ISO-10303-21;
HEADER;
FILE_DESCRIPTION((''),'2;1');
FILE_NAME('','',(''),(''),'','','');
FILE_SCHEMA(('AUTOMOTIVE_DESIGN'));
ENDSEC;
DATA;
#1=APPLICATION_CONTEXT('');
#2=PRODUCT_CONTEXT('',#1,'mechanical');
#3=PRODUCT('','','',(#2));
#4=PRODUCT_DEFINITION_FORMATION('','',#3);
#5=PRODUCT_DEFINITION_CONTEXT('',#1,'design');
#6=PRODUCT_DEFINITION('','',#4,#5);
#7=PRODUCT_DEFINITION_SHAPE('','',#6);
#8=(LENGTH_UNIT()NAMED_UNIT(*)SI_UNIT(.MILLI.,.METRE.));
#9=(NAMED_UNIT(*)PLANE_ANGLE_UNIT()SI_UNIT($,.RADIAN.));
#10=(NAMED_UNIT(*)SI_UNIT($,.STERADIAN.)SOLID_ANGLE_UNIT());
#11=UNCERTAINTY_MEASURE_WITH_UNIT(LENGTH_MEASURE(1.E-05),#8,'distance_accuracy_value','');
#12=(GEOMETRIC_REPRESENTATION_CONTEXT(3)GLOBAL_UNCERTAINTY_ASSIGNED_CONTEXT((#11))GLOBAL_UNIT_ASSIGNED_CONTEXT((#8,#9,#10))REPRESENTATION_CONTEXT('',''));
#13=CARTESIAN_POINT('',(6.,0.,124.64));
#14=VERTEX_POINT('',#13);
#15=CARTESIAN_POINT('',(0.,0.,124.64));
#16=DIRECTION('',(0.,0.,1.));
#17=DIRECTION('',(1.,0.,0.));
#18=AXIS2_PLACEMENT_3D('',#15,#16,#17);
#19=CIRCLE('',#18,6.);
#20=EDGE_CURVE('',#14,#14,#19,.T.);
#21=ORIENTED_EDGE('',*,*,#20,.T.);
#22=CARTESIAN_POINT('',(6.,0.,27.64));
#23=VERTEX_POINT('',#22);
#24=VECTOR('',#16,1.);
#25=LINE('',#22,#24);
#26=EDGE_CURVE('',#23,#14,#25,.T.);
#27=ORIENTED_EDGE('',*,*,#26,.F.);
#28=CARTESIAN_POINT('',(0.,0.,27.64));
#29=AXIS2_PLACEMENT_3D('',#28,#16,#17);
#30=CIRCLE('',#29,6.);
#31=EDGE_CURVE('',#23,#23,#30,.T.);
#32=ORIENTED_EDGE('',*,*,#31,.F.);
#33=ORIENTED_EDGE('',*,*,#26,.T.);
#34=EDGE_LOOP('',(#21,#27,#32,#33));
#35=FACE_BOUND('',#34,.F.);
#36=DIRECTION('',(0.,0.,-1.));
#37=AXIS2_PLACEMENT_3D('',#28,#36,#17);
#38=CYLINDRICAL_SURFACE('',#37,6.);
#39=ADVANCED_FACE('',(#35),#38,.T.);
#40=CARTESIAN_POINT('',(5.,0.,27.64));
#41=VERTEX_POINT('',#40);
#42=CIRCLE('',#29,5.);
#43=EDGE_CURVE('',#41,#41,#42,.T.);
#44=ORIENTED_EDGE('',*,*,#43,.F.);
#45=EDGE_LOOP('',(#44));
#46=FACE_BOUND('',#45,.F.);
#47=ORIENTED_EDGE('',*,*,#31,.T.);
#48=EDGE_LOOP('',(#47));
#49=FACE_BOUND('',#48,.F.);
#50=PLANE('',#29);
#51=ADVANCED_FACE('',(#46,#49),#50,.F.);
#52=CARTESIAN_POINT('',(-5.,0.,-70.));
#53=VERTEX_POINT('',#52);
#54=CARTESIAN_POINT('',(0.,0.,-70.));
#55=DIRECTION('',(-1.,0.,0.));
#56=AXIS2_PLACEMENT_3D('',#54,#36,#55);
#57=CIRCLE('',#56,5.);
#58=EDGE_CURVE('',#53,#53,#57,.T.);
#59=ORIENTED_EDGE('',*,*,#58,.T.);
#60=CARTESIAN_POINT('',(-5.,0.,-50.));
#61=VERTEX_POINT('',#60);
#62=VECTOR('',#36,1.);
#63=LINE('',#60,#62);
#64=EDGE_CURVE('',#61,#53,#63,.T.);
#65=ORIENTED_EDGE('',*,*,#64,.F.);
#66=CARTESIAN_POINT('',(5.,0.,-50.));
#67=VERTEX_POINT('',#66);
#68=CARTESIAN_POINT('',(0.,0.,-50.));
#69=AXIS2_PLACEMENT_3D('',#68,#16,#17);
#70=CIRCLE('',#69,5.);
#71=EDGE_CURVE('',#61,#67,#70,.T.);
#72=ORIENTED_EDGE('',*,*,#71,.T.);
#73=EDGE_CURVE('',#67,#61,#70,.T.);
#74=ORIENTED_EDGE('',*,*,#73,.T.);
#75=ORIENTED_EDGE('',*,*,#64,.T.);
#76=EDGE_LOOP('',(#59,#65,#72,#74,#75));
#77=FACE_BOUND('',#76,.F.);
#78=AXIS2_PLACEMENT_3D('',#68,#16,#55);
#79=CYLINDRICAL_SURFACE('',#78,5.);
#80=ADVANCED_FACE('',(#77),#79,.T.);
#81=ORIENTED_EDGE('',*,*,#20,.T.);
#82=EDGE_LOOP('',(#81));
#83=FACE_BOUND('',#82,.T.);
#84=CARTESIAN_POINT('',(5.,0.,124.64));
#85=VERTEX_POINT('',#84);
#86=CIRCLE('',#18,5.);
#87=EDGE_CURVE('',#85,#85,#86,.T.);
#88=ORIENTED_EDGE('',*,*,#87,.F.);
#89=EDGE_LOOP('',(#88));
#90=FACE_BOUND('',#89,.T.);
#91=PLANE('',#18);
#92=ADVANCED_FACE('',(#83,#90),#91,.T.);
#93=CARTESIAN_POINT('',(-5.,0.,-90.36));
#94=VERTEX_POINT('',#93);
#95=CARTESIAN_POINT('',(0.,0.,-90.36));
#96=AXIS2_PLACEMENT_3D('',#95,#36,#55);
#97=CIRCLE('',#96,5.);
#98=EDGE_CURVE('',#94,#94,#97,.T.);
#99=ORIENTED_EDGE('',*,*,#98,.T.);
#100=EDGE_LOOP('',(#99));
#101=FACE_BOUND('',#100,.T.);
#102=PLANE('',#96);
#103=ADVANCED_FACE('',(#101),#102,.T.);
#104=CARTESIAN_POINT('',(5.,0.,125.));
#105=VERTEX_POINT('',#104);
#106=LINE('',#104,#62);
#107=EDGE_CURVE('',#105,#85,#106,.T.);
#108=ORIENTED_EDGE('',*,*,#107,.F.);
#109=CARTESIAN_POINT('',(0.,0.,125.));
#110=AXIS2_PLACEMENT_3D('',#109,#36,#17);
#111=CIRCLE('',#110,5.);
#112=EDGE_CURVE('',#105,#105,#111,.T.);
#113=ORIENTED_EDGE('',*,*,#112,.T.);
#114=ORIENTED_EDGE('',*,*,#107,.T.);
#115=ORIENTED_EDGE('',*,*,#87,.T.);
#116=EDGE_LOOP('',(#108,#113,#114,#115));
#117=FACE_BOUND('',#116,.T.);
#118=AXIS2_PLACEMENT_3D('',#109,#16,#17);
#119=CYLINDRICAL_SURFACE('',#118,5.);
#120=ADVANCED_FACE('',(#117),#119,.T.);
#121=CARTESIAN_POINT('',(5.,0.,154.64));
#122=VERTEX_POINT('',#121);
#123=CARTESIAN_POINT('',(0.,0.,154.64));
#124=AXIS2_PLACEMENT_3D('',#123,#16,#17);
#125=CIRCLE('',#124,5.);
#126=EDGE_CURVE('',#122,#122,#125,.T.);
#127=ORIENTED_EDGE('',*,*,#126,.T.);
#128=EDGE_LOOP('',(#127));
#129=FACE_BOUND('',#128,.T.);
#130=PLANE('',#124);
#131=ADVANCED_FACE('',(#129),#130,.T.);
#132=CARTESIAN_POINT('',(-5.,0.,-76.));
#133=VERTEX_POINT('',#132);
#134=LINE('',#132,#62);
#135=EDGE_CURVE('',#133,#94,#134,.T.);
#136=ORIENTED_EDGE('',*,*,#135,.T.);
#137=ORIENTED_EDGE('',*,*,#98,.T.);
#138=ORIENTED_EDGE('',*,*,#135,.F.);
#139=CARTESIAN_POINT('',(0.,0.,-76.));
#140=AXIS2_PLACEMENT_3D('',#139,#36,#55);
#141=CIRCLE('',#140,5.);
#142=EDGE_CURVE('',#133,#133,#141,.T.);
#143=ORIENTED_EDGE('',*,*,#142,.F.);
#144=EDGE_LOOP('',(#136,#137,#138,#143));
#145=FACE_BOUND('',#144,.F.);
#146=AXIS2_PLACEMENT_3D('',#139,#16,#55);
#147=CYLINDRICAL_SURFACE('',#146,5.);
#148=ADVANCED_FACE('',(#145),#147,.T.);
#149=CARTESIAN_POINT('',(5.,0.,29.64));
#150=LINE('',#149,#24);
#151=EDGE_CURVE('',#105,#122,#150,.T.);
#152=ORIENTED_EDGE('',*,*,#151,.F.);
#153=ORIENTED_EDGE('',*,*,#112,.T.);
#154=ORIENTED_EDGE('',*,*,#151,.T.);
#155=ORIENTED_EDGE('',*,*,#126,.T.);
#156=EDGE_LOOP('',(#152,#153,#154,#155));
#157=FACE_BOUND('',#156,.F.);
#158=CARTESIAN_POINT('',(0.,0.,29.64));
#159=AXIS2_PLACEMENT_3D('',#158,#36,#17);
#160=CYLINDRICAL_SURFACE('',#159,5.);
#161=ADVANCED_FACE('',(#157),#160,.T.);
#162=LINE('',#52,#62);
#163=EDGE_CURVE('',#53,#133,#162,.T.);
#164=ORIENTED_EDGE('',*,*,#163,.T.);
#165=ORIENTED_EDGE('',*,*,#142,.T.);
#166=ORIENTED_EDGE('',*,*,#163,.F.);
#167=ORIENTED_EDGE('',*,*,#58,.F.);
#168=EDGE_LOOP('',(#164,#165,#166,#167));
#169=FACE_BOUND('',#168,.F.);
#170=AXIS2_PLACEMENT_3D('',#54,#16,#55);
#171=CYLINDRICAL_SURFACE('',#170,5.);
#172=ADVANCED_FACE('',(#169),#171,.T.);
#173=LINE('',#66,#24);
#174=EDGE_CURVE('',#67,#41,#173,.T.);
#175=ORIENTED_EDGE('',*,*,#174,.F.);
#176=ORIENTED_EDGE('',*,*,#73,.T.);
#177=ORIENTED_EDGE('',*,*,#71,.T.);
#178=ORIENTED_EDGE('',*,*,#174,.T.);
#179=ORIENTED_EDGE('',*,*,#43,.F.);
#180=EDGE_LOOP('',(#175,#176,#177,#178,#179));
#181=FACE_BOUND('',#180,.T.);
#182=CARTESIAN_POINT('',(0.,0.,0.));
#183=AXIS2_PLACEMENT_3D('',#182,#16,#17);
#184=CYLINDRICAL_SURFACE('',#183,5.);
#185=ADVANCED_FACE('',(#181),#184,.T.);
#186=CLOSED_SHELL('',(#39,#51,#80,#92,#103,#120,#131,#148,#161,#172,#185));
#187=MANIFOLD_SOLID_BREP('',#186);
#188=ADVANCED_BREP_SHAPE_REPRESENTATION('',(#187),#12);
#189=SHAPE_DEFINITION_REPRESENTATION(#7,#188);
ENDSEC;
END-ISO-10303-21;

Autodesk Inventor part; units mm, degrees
ref_plane "YZ Plane" through (0, 0, 0) normal (1, 0, 0) x (0, 1, 0)
sketch "Sketch1" plane through (0, 0, 0) normal (0, 0, 1) x (1, 0, 0)
  circle A0 centre (0, 0) radius 7.5 projected
  circle A1 centre (0, 0) radius 5.5 projected
  circle A2 centre (0, 0) radius 5 projected
extrude "Extrusion1" add sketch "Sketch1" against normal blind 50 contours A2
sketch "Sketch2" plane through (0, 0, 0) normal (0, 0, 1) x (1, 0, 0)
  point P0 (0, 0)
sketch "Sketch3" plane through (0, 0, 0) normal (0, 0, 1) x (1, 0, 0)
  circle A0 centre (0, 0) radius 5 projected
extrude "Extrusion2" add sketch "Sketch3" along normal blind 150
sketch "Sketch4" plane through (0, 0, 150) normal (0, 0, 1) x (1, 0, 0)
  circle A0 centre (0, 0) radius 5 projected
  circle A1 centre (0, 0) radius 4
  dimension "d4" = 8
extrude "Extrusion3" cut sketch "Sketch4" against normal blind 30
sketch "Sketch5" plane through (0, 0, -50) normal (0, 0, -1) x (-1, 0, 0)
  circle A0 centre (0, 0) radius 5 projected
extrude "Extrusion4" add sketch "Sketch5" along normal blind 20
sketch "Szkic6" plane through (0, 0, -70) normal (0, 0, -1) x (-1, 0, 0)
  circle A0 centre (0, 0) radius 4 projected
  circle A1 centre (0, 0) radius 5
extrude "Wyciągnięcie proste5" add sketch "Szkic6" along normal blind 6 contours A0 | A1
sketch "Szkic7" plane through (0, 0, 150) normal (0, 0, 1) x (1, 0, 0)
  circle A0 centre (0, 0) radius 5 projected
  circle A1 centre (0, 0) radius 5 projected
ref_plane "Płaszczyzna konstrukcyjna1" through (-9.4999, -9.4999, 27.64) normal (0, 0, 1) x (0.8774, -0.4797, 0)
extrude "Wyciągnięcie proste6" cut sketch "Szkic7" against normal up to surface (122.36 mm away)
sketch "Szkic8" plane through (0, 0, 27.64) normal (0, 0, 1) x (1, 0, 0)
  circle A0 centre (0, 0) radius 5 projected
  circle A1 centre (0, 0) radius 4.4644
  point P0 (0, 0)
extrude "Wyciągnięcie proste7" add sketch "Szkic8" along normal blind 2 contours A1
sketch "Szkic9" plane through (0, 0, 29.64) normal (0, 0, 1) x (1, 0, 0)
  circle A0 centre (0, 0) radius 4.4644 projected
  circle A1 centre (0, 0) radius 5 projected
  point P0 (0, 0)
ref_plane "Płaszczyzna konstrukcyjna2" through (-6.6123, -6.6123, 155) normal (0, 0, -1) x (-0.1077, 0.9942, 0)
extrude "Wyciągnięcie proste8" add sketch "Szkic9" along normal up to surface (125.36 mm away) contours A0 | A1
sketch "Szkic10" plane through (0, 0, -76) normal (0, 0, -1) x (-1, 0, 0)
  circle A0 centre (0, 0) radius 5 projected
  point P0 (0, 0)
extrude "Wyciągnięcie proste9" add sketch "Szkic10" along normal blind 15
sketch "Szkic11" plane through (0, 0, 27.64) normal (0, 0, 1) x (1, 0, 0)
  circle A0 centre (0, 0) radius 5 projected
  circle A1 centre (0, 0) radius 4.4644 projected
  circle A2 centre (0, 0) radius 6
  point P0 (0, 0)
  dimension "d19" = 12
extrude "Wyciągnięcie proste10" add sketch "Szkic11" along normal blind 97.36 contours A0 | A1 | A2
sketch "Szkic12" plane through (0, 0, -91) normal (0, 0, -1) x (-1, 0, 0)
  circle A0 centre (0, 0) radius 5 projected
  point P0 (0, 0)
extrude "Wyciągnięcie proste11" cut sketch "Szkic12" against normal blind 0.6
sketch "Szkic13" plane through (0, 0, -90.4) normal (0, 0, -1) x (-1, 0, 0)
  circle A0 centre (0, 0) radius 5 projected
extrude "Wyciągnięcie proste12" cut sketch "Szkic13" against normal blind 0.04
sketch "Szkic14" plane through (0, 0, 125) normal (0, 0, 1) x (1, 0, 0)
  circle A0 centre (0, 0) radius 6 projected
  circle A1 centre (0, 0) radius 5 projected
  point P0 (0, 0)
extrude "Wyciągnięcie proste13" cut sketch "Szkic14" against normal blind 0.36
sketch "Szkic15" plane through (0, 0, 155) normal (0, 0, 1) x (1, 0, 0)
  circle A0 centre (0, 0) radius 5 projected
  point P0 (0, 0)
extrude "Wyciągnięcie proste14" cut sketch "Szkic15" against normal blind 0.36
properties part number "os_napedowa"
